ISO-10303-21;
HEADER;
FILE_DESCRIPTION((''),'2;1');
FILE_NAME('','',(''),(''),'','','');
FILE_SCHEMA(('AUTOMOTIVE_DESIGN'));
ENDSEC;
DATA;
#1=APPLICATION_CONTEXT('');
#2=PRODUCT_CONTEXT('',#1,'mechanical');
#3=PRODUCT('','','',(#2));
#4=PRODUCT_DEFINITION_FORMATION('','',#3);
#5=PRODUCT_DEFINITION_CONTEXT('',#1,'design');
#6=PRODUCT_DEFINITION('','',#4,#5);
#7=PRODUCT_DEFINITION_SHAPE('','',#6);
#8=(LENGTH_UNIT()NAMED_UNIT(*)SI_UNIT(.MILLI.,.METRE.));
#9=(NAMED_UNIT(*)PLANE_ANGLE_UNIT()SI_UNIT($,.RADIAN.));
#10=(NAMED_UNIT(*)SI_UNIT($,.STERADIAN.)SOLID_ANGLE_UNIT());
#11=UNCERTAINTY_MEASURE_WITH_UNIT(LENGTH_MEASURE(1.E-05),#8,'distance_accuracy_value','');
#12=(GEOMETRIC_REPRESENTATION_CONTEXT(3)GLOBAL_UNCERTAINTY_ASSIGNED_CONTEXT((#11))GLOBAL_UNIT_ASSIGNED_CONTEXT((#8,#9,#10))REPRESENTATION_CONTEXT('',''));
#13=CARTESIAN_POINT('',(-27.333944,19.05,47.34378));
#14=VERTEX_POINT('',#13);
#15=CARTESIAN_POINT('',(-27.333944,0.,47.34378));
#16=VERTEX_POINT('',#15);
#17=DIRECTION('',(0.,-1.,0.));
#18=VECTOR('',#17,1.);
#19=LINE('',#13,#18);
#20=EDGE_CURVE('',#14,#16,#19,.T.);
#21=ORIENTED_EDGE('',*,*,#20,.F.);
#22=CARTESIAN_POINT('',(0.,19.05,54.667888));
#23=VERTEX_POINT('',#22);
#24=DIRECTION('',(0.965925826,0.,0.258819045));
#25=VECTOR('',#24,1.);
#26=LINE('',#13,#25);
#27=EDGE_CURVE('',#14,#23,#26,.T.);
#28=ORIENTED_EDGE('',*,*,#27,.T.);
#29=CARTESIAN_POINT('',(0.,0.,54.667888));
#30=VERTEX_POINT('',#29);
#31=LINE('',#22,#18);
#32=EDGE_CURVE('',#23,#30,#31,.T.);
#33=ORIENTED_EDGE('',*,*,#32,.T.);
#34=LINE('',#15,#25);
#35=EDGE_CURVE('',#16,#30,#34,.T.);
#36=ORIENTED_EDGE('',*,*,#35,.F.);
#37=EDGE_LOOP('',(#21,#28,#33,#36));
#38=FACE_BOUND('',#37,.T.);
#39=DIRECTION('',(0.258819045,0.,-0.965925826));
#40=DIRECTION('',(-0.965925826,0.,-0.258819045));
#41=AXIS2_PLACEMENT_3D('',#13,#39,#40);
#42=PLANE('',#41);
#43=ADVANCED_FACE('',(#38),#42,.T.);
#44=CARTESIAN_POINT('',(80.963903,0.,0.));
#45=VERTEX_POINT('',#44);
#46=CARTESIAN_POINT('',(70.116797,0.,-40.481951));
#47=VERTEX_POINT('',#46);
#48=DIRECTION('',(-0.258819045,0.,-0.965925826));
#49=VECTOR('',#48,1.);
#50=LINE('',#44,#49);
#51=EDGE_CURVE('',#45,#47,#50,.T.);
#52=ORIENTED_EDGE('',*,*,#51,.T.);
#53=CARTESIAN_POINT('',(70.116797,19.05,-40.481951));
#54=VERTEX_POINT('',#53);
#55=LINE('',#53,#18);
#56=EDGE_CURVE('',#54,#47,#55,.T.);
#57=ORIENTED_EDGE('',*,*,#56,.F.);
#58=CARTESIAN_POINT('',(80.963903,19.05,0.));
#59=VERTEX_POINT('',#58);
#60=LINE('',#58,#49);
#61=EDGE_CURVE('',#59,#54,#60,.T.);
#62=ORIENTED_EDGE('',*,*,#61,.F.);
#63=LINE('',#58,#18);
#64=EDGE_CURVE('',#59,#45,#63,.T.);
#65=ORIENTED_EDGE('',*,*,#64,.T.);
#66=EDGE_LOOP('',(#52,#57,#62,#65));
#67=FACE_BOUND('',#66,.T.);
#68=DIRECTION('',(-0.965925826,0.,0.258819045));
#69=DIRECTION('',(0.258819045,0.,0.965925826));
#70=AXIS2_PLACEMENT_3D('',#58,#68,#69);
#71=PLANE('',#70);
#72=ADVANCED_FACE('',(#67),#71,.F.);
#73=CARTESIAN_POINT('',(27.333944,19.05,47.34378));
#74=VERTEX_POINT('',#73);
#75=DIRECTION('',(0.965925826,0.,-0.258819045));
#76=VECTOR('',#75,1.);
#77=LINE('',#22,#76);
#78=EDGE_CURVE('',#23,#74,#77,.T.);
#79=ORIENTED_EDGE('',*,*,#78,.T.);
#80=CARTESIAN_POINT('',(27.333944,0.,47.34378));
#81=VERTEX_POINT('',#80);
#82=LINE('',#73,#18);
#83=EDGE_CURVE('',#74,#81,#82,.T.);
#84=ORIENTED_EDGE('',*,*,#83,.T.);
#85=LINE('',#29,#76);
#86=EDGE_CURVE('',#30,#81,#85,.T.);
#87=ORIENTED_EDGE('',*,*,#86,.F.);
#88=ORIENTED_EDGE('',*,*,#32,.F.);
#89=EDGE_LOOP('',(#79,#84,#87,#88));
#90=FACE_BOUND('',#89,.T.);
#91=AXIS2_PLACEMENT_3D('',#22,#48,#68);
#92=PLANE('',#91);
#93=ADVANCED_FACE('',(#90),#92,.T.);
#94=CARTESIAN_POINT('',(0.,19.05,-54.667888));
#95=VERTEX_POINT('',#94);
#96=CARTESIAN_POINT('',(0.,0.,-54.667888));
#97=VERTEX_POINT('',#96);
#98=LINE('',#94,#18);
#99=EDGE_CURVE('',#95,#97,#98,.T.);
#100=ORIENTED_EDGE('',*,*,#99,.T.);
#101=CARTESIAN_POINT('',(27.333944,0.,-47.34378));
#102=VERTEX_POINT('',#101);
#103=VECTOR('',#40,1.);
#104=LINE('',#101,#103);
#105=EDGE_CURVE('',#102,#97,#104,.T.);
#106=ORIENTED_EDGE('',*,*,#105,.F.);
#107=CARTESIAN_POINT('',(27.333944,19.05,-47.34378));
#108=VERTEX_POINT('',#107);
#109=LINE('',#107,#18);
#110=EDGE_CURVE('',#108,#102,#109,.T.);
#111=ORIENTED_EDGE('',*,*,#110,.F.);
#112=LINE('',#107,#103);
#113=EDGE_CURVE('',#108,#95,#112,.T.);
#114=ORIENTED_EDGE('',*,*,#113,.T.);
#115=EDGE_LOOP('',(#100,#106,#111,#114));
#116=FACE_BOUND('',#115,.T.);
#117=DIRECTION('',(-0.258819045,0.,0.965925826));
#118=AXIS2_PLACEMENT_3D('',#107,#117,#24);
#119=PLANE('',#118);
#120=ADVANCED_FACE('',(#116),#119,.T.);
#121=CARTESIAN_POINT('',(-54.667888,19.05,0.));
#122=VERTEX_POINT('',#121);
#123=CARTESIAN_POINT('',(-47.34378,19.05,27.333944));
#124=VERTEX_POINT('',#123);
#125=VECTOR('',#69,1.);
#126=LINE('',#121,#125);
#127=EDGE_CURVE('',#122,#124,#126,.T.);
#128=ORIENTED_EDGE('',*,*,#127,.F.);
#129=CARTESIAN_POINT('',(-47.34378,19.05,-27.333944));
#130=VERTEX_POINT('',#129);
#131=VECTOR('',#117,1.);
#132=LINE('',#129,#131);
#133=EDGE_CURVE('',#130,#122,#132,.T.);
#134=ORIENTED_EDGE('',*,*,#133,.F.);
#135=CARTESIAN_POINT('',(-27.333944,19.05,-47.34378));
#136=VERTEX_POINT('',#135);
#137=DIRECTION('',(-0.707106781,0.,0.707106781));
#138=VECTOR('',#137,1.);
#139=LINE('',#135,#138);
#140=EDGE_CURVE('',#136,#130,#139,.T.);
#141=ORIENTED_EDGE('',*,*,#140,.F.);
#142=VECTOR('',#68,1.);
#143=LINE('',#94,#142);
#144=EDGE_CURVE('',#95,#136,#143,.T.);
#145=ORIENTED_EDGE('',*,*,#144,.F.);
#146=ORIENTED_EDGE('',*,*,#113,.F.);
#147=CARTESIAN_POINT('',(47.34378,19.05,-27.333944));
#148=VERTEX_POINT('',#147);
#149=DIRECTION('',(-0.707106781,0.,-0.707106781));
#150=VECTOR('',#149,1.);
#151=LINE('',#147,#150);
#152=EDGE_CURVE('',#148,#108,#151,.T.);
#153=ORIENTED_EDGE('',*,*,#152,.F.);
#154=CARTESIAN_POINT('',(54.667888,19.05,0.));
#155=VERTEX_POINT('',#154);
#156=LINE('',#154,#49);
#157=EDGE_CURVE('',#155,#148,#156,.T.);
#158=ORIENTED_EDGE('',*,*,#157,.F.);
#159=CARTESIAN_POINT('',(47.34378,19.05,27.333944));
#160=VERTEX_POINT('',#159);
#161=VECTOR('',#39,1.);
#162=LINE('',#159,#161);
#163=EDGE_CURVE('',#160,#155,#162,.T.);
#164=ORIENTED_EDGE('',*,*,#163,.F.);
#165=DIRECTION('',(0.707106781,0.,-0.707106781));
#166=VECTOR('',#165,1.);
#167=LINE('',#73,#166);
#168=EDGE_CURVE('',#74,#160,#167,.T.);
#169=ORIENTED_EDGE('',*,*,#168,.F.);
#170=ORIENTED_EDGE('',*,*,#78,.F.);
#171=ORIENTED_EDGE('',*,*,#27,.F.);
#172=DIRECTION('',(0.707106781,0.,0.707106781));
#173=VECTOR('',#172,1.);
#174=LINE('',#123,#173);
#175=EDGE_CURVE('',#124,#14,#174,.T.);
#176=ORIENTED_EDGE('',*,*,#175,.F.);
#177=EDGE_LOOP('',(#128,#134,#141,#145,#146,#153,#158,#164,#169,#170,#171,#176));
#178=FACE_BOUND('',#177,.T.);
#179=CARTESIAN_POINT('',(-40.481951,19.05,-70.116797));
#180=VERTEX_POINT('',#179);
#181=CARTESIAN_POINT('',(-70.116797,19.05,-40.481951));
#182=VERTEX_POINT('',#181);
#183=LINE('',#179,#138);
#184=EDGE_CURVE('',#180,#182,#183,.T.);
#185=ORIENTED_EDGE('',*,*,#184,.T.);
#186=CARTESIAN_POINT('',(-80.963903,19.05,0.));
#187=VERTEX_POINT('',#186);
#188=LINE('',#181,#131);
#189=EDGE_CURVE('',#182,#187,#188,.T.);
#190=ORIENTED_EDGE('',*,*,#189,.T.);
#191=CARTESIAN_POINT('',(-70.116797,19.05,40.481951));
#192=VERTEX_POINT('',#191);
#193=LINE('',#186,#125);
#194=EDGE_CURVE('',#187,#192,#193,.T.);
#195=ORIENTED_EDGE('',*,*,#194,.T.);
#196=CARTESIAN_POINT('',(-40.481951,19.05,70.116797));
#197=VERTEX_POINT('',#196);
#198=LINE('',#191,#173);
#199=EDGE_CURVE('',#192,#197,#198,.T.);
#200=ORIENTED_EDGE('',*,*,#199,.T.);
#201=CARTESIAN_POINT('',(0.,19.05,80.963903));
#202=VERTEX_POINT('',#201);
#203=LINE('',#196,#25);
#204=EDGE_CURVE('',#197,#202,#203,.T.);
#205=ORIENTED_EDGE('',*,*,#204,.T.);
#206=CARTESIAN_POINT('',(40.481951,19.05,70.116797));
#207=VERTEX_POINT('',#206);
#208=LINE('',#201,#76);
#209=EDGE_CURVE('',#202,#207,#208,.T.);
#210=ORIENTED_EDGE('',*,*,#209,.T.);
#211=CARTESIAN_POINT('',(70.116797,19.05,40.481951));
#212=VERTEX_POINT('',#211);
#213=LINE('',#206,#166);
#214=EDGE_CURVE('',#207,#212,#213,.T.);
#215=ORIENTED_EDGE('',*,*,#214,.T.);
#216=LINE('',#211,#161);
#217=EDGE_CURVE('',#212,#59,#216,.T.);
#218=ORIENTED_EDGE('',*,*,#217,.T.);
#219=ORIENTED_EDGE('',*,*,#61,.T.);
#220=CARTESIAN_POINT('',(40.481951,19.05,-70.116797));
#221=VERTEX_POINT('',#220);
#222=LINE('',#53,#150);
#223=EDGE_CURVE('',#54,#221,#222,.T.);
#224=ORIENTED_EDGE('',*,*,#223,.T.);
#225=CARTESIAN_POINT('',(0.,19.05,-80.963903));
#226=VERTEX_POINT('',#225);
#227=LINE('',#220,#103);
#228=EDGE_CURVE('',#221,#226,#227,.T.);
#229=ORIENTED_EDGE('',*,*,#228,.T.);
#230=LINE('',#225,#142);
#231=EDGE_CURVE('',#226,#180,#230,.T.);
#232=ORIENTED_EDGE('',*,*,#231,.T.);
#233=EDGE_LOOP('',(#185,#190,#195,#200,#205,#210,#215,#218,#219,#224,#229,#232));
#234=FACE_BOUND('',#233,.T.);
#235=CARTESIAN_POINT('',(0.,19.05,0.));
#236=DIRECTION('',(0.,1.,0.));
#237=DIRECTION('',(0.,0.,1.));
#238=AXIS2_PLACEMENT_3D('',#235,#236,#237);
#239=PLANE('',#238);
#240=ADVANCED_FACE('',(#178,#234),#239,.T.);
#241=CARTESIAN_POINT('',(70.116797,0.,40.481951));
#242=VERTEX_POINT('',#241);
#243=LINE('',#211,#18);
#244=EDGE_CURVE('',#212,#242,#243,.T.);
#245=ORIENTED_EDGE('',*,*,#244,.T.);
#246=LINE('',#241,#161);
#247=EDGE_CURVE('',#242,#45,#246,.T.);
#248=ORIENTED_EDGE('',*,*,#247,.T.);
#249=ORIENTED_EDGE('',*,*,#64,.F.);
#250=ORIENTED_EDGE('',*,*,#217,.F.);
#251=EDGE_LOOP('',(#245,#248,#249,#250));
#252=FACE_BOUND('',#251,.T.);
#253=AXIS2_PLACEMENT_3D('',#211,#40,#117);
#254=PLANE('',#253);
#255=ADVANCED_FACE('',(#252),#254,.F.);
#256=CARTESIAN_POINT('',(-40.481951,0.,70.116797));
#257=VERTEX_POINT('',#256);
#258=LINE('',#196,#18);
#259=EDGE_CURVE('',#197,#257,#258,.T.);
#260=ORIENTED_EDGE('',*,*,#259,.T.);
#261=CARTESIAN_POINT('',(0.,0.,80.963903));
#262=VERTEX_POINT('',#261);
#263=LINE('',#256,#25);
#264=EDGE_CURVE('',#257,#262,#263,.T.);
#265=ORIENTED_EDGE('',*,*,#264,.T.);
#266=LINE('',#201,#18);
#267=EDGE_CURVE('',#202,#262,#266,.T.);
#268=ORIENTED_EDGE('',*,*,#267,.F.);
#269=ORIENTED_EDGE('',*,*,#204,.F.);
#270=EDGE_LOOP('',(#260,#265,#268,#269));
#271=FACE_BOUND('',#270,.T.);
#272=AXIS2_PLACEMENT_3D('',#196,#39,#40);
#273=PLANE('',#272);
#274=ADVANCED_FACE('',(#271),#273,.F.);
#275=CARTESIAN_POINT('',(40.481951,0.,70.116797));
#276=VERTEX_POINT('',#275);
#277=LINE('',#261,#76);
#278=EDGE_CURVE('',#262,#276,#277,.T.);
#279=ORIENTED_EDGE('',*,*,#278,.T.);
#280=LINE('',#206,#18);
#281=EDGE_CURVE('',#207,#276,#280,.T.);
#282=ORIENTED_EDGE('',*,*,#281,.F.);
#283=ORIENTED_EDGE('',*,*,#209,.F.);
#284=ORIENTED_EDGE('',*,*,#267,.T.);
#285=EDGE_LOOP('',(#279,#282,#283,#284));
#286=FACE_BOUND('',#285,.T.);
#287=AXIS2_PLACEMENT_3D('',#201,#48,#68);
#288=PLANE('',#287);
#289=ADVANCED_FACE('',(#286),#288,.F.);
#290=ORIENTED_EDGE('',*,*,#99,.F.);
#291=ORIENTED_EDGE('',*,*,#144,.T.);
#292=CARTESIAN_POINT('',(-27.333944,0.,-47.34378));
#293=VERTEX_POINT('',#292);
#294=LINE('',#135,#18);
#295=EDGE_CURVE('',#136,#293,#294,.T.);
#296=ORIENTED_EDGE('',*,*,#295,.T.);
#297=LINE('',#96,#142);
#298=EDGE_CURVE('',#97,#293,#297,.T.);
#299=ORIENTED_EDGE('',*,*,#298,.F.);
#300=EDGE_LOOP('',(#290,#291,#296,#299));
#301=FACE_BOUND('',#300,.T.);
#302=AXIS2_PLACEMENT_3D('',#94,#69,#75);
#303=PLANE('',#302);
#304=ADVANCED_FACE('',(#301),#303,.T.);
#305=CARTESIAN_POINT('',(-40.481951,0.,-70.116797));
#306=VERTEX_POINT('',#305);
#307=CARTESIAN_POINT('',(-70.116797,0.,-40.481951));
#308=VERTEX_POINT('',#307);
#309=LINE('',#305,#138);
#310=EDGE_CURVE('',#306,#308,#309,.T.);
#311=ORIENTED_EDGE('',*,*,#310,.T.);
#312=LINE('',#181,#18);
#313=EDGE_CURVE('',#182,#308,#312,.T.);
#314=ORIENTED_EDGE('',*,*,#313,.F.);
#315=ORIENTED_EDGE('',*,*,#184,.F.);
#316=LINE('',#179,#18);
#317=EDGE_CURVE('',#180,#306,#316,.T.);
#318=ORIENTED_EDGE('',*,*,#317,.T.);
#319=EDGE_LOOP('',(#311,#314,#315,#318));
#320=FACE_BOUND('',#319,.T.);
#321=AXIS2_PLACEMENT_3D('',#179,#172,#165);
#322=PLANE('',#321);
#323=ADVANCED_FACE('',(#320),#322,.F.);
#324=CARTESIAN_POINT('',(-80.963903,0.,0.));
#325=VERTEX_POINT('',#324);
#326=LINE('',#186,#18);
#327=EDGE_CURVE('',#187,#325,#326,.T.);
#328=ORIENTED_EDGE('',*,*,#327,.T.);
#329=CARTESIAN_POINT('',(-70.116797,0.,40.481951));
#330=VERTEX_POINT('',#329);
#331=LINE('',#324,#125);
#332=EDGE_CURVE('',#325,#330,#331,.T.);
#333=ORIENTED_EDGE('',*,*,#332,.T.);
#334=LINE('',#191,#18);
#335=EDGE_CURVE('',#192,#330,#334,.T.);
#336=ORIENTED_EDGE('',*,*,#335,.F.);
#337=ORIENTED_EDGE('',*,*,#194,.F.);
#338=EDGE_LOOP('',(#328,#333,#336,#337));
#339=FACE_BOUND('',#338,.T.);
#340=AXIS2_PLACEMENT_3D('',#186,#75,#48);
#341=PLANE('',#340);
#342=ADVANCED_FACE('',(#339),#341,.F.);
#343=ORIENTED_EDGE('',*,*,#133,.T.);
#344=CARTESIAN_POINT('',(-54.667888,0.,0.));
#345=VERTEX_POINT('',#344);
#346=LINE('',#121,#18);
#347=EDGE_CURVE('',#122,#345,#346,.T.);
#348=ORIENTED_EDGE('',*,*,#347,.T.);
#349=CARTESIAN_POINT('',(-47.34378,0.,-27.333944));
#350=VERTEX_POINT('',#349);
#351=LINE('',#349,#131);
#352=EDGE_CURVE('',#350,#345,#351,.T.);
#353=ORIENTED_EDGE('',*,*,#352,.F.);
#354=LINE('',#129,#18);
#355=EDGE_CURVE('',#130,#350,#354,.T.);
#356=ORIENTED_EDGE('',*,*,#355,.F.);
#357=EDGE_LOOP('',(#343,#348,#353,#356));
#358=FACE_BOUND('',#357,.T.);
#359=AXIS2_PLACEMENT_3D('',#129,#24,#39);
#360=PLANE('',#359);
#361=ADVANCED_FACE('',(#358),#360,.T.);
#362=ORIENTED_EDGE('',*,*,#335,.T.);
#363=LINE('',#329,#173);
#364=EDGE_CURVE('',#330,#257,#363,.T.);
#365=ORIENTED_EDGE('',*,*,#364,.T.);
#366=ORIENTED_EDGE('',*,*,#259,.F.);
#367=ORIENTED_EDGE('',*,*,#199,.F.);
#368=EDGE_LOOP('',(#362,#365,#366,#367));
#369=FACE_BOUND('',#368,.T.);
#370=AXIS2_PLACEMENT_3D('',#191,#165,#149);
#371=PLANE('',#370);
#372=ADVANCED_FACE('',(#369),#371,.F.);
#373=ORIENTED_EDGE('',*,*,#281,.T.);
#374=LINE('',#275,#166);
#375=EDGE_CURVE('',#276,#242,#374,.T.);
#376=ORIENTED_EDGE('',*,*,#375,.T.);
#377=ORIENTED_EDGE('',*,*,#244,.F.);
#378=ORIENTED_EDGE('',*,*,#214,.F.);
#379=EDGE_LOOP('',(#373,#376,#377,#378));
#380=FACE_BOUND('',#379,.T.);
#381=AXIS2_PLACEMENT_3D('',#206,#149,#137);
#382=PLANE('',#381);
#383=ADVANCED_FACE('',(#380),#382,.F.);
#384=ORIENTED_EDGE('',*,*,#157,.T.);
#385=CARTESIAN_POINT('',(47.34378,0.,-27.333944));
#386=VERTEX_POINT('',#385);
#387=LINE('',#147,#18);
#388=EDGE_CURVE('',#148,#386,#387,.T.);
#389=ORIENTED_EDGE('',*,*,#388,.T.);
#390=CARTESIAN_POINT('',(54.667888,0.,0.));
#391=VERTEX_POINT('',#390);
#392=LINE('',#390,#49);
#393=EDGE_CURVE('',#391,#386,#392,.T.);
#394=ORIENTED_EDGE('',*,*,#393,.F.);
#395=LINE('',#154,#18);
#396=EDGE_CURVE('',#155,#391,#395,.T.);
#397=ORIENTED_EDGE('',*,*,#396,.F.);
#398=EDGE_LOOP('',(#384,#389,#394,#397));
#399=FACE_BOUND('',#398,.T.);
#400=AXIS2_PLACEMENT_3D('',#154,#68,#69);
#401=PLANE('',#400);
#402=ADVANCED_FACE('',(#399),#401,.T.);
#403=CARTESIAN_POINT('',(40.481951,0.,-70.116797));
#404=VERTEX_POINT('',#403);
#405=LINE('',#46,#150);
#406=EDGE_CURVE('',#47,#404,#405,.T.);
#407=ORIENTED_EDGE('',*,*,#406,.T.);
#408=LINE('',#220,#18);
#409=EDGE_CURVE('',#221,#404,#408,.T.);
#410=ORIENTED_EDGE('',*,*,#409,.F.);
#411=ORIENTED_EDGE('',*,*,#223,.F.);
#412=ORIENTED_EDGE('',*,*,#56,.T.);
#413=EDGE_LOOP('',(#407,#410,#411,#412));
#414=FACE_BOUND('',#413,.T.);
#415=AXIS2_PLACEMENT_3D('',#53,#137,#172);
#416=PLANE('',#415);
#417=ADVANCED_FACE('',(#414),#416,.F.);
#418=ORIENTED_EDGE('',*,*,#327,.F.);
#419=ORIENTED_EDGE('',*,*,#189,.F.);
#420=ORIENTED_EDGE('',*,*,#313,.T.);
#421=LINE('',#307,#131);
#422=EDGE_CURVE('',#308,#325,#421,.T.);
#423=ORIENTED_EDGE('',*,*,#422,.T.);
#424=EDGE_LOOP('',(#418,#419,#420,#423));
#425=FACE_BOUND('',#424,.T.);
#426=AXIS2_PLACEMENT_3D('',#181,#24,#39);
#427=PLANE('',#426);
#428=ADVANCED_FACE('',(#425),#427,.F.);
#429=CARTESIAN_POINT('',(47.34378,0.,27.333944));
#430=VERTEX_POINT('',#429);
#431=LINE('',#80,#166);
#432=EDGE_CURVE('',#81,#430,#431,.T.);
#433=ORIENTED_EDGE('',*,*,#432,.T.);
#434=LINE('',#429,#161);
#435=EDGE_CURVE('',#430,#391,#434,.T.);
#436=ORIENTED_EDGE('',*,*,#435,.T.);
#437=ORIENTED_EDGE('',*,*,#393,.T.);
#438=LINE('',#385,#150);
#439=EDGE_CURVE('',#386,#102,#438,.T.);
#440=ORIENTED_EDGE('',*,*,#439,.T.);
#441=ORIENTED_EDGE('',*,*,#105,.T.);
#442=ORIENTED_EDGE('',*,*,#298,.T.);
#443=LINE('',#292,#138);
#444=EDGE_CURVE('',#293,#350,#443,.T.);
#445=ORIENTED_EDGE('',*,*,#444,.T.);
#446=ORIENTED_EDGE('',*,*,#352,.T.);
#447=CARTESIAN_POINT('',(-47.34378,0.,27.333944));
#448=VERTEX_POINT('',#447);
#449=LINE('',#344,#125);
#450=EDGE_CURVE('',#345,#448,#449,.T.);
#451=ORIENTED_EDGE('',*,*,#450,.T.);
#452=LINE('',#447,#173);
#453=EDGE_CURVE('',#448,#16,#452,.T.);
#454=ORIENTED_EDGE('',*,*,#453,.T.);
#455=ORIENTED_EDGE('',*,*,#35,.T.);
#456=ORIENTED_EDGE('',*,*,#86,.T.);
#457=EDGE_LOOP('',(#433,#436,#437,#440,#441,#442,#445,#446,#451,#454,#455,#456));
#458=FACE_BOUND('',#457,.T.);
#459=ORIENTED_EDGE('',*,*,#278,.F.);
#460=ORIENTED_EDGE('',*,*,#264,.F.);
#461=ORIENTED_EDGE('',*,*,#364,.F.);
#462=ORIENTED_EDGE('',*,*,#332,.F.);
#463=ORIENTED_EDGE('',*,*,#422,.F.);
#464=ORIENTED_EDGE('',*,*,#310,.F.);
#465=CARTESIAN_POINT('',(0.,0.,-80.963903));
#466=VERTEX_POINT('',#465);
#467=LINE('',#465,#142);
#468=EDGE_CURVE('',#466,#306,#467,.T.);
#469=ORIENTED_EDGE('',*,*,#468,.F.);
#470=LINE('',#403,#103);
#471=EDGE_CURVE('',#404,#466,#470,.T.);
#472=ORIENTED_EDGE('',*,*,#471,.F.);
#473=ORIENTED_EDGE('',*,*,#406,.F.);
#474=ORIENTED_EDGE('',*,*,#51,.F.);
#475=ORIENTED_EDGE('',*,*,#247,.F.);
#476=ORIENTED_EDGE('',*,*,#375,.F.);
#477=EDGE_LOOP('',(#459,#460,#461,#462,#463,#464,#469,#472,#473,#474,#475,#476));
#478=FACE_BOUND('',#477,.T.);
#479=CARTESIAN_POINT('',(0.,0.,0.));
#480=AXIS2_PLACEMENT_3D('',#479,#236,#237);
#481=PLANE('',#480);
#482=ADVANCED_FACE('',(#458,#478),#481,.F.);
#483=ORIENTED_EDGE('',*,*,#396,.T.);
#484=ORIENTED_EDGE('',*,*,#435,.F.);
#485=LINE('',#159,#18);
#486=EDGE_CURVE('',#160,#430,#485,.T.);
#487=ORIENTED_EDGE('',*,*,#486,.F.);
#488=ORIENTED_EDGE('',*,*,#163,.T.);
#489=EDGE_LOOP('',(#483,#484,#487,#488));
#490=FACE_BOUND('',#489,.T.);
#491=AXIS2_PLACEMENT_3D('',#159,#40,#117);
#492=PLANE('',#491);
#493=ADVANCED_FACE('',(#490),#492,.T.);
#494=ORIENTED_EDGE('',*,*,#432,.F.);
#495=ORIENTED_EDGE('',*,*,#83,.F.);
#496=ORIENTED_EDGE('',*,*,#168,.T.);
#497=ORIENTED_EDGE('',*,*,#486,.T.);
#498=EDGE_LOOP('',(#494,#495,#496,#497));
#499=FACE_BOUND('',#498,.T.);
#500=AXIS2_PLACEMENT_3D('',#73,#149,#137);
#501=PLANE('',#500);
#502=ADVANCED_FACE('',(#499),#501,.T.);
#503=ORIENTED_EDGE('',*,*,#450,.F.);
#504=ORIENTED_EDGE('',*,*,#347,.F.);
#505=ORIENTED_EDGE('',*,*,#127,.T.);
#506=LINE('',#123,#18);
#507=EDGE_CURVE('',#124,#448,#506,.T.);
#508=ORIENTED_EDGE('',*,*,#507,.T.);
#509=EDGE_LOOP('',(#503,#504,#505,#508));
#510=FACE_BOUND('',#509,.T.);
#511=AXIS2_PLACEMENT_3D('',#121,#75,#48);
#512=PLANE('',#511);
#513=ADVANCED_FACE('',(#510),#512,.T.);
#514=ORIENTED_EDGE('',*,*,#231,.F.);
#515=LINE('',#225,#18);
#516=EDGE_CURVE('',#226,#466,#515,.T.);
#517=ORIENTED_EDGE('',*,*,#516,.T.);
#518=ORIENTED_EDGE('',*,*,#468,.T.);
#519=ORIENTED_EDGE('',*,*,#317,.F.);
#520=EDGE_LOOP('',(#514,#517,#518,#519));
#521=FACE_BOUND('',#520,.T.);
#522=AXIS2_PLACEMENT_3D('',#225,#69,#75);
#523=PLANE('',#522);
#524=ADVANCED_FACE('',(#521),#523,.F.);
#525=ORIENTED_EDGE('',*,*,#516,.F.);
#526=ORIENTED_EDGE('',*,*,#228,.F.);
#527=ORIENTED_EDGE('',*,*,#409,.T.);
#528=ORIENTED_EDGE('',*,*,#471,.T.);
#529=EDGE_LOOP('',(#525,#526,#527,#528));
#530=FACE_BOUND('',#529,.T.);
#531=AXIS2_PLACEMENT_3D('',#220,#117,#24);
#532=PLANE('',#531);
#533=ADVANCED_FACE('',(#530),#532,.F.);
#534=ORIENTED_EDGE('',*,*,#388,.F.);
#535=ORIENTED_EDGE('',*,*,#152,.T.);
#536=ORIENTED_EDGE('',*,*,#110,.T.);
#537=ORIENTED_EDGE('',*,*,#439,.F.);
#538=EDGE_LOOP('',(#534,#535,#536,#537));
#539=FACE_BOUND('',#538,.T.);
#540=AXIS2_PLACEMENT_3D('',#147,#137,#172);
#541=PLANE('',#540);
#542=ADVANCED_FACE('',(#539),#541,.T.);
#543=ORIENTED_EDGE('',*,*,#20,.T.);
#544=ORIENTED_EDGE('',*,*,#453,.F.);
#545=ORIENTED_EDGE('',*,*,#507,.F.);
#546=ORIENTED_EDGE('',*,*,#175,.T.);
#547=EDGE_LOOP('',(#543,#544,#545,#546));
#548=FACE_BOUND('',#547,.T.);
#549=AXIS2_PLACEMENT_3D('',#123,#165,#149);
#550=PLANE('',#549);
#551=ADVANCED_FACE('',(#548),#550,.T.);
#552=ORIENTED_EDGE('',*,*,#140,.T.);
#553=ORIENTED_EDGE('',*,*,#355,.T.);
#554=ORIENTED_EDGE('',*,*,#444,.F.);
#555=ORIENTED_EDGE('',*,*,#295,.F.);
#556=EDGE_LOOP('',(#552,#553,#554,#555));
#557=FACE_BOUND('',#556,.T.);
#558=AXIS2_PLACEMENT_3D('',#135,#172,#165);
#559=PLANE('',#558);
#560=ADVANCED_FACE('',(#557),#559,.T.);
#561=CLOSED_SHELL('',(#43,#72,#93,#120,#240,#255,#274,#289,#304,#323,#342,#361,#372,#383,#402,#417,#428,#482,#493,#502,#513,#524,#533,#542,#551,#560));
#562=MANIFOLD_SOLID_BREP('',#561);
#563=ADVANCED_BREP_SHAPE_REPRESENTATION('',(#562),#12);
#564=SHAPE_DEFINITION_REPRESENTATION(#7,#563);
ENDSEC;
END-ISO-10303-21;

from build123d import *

# Parameters (mm, degrees)
BOSS_EXTRUDE1_DEPTH = 19.05


with BuildPart() as part:
    # Sketch1 → Boss-Extrude1 (new body)
    with BuildSketch(Plane(origin=(0, 0, 0), x_dir=(1, 0, 0), z_dir=(0, 1, 0))):
        Polygon((80.96390276, 0), (70.116796579, 40.48195138), (40.48195138, 70.116796579), (0, 80.96390276), (-40.48195138, 70.116796579), (-70.116796579, 40.48195138), (-80.96390276, 0), (-70.116796579, -40.48195138), (-40.48195138, -70.116796579), (0, -80.96390276), (40.48195138, -70.116796579), (70.116796579, -40.48195138), align=None)
        Polygon((54.667887777, 0), (47.343779586, 27.333943889), (27.333943889, 47.343779586), (0, 54.667887777), (-27.333943889, 47.343779586), (-47.343779586, 27.333943889), (-54.667887777, 0), (-47.343779586, -27.333943889), (-27.333943889, -47.343779586), (0, -54.667887777), (27.333943889, -47.343779586), (47.343779586, -27.333943889), align=None, mode=Mode.SUBTRACT)
    extrude(amount=BOSS_EXTRUDE1_DEPTH)


solid = part.part
